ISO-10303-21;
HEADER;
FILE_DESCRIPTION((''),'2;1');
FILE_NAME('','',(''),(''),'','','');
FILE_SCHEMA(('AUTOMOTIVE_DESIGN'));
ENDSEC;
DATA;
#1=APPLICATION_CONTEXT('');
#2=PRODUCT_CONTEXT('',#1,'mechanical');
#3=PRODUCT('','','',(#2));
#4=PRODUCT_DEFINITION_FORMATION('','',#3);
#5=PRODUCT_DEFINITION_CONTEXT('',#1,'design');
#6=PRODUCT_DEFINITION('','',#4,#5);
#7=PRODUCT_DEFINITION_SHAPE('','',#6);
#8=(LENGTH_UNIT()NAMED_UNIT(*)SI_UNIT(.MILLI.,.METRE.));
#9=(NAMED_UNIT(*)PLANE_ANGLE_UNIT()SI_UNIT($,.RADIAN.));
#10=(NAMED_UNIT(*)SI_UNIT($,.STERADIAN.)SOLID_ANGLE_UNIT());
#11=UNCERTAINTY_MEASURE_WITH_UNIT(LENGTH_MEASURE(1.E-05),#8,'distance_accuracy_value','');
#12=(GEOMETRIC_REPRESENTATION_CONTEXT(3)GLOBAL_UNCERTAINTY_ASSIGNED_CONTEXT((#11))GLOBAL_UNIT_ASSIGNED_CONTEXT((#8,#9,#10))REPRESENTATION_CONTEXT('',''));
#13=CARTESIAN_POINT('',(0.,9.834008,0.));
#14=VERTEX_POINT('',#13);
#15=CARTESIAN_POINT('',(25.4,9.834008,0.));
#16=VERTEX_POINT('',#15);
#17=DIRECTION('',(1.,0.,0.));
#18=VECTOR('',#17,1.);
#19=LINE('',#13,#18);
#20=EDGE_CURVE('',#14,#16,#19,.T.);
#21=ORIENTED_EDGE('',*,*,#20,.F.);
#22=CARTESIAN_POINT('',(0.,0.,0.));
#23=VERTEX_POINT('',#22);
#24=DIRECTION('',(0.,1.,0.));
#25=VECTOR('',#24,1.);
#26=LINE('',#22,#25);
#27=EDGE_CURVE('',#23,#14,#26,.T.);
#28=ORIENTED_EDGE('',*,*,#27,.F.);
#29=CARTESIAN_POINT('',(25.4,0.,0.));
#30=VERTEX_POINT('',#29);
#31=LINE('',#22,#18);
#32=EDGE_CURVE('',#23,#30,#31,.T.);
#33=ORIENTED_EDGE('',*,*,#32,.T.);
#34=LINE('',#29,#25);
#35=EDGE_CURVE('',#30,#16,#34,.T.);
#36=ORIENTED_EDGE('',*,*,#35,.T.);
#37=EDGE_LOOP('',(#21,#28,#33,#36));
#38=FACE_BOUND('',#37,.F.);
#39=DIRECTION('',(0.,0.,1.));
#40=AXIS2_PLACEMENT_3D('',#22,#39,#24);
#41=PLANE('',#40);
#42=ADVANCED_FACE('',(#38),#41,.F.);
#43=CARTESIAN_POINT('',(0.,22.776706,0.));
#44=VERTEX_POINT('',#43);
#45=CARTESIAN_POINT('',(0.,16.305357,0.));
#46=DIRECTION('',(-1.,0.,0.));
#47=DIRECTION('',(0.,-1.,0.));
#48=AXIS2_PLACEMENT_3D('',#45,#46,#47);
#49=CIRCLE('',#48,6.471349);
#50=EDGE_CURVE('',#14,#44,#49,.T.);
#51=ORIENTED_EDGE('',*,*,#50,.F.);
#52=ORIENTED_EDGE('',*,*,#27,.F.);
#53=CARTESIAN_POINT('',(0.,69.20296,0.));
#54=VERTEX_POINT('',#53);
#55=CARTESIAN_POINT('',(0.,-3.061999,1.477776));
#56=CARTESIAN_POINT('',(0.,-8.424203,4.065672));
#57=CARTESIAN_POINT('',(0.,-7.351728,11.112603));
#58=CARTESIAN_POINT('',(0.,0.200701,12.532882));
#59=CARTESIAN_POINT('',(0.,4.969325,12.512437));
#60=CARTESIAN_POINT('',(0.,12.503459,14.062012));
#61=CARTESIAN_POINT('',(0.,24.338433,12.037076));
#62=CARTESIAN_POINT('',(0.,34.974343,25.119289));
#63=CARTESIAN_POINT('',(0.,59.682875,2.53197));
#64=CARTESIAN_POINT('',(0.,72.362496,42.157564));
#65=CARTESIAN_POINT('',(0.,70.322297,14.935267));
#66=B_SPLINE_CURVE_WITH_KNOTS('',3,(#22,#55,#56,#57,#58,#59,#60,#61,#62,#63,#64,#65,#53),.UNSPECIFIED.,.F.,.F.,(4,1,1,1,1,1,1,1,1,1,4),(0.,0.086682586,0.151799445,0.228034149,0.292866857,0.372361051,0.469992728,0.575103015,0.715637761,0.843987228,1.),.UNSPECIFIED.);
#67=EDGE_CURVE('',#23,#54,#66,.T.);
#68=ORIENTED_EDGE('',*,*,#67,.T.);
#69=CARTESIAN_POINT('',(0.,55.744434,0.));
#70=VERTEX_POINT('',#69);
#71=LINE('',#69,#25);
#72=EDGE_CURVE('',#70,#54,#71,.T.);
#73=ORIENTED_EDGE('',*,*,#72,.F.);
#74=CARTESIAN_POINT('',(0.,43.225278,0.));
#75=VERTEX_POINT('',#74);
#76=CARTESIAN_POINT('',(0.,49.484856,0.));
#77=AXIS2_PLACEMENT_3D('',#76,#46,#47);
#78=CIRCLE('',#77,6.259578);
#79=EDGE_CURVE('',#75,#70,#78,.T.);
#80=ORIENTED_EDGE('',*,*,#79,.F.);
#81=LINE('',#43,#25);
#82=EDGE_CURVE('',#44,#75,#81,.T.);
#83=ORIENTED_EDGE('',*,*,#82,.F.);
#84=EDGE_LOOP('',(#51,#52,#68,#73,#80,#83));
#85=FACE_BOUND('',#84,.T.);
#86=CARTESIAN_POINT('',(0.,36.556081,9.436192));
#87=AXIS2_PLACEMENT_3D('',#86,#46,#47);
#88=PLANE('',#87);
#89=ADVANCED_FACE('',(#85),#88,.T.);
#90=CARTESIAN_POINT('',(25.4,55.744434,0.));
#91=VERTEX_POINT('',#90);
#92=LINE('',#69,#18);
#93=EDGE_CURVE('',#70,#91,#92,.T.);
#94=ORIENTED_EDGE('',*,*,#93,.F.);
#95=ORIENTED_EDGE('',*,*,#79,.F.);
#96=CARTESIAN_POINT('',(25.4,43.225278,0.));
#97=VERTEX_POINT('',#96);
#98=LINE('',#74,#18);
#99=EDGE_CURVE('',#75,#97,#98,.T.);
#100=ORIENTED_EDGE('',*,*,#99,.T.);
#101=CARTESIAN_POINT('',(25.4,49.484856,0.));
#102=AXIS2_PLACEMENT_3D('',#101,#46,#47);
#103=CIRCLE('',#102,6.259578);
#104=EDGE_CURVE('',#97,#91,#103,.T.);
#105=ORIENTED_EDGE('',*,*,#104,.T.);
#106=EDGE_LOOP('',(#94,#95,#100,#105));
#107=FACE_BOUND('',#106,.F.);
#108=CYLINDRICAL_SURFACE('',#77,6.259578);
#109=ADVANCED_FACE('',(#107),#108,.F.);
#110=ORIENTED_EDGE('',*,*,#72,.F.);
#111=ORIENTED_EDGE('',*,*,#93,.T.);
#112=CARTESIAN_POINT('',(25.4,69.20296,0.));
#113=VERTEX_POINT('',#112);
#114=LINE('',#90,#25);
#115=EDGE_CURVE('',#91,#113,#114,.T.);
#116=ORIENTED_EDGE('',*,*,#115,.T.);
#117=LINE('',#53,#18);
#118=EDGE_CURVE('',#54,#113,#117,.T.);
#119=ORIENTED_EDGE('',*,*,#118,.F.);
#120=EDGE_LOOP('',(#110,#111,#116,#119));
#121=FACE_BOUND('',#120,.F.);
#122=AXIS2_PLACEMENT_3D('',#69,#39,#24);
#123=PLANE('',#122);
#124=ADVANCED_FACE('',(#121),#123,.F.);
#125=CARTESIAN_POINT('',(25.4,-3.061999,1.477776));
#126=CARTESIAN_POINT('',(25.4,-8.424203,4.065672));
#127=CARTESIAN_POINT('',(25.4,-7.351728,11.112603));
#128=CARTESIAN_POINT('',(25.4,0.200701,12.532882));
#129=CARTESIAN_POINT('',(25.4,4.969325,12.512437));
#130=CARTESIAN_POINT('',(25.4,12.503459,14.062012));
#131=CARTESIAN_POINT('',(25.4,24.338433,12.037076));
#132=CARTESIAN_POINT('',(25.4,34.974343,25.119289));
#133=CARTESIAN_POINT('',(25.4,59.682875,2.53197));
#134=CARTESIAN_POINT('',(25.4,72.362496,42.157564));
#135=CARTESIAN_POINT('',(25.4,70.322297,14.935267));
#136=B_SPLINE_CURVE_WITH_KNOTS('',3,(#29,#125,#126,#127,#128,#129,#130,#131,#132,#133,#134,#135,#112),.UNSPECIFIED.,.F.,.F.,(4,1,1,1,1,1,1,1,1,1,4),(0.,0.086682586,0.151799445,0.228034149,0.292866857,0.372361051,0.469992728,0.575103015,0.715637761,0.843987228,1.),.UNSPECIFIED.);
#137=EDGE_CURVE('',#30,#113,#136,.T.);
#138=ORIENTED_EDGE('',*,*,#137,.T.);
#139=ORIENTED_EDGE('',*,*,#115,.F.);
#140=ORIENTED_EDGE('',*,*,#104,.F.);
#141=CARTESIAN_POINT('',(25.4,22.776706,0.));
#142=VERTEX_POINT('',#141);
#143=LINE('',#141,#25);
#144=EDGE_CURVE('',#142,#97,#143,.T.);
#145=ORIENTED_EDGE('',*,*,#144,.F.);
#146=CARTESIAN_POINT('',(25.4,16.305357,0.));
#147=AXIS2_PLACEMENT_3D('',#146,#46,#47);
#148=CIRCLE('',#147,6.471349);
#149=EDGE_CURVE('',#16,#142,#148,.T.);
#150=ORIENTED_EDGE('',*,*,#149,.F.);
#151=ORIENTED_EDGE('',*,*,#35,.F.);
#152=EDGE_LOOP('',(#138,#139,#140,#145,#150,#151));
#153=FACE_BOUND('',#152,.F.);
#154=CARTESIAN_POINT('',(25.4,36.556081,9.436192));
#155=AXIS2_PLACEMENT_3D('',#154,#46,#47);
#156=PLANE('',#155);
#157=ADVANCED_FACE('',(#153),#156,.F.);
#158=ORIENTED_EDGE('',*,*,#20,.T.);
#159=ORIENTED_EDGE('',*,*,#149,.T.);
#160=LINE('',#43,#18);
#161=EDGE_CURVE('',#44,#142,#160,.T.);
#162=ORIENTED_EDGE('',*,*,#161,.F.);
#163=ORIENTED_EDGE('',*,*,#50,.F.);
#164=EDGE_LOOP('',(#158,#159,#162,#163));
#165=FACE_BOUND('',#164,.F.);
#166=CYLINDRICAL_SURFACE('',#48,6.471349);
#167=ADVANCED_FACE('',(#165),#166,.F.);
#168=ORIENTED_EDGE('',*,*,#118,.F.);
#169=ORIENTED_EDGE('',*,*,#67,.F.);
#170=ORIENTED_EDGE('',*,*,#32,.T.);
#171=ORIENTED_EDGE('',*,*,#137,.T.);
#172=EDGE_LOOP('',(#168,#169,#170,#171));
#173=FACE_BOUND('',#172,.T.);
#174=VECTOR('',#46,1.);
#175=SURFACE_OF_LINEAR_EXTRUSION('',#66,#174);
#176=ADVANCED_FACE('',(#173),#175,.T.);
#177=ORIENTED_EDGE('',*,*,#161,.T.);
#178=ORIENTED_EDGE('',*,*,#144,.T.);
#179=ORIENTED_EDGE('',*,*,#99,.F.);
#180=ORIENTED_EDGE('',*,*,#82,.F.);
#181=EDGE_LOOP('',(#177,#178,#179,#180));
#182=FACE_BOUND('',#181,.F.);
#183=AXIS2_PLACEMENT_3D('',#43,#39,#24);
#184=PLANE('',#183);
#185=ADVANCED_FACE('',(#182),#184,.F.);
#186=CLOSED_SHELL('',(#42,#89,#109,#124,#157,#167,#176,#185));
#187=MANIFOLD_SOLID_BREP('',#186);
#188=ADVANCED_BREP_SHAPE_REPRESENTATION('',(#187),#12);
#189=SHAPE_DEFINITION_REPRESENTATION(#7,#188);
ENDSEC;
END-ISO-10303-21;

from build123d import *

# Parameters (mm, degrees)
F1_DEPTH = 25.4


with BuildPart() as f1:
    # F0 (on Right) → F1 (new body)
    with BuildSketch(Plane.YZ):
        with BuildLine():
            add(Edge.make_bspline(
                [(0, 0), (-3.061998712, 1.4777757019), (-8.4242026783, 4.0656718688), (-7.3517284911, 11.1126025142), (0.2007005122, 12.5328817894), (4.9693253424, 12.5124365942), (12.5034589838, 14.0620124434), (24.338433216, 12.0370762574), (34.9743427151, 25.1192890161), (59.6828745052, 2.5319699905), (72.3624964728, 42.1575636421), (70.3222966996, 14.9352669755), (69.2029595375, 0)],
                knots=[0, 0, 0, 0, 0.0866825856, 0.1517994447, 0.2280341488, 0.2928668567, 0.3723610509, 0.4699927276, 0.5751030146, 0.7156377614, 0.8439872284, 1, 1, 1, 1], degree=3))
            Line((0, 0), (9.834008101, 0))
            ThreePointArc((9.834008101, 0), (16.3053572178, 6.4713491168), (22.7767063346, 0))
            Line((22.7767063346, 0), (43.2252783879, 0))
            ThreePointArc((43.2252783879, 0), (49.4848564267, 6.2595780388), (55.7444344655, 0))
            Line((55.7444344655, 0), (69.2029595375, 0))
        make_face()
    extrude(amount=F1_DEPTH)


solid = f1.part
